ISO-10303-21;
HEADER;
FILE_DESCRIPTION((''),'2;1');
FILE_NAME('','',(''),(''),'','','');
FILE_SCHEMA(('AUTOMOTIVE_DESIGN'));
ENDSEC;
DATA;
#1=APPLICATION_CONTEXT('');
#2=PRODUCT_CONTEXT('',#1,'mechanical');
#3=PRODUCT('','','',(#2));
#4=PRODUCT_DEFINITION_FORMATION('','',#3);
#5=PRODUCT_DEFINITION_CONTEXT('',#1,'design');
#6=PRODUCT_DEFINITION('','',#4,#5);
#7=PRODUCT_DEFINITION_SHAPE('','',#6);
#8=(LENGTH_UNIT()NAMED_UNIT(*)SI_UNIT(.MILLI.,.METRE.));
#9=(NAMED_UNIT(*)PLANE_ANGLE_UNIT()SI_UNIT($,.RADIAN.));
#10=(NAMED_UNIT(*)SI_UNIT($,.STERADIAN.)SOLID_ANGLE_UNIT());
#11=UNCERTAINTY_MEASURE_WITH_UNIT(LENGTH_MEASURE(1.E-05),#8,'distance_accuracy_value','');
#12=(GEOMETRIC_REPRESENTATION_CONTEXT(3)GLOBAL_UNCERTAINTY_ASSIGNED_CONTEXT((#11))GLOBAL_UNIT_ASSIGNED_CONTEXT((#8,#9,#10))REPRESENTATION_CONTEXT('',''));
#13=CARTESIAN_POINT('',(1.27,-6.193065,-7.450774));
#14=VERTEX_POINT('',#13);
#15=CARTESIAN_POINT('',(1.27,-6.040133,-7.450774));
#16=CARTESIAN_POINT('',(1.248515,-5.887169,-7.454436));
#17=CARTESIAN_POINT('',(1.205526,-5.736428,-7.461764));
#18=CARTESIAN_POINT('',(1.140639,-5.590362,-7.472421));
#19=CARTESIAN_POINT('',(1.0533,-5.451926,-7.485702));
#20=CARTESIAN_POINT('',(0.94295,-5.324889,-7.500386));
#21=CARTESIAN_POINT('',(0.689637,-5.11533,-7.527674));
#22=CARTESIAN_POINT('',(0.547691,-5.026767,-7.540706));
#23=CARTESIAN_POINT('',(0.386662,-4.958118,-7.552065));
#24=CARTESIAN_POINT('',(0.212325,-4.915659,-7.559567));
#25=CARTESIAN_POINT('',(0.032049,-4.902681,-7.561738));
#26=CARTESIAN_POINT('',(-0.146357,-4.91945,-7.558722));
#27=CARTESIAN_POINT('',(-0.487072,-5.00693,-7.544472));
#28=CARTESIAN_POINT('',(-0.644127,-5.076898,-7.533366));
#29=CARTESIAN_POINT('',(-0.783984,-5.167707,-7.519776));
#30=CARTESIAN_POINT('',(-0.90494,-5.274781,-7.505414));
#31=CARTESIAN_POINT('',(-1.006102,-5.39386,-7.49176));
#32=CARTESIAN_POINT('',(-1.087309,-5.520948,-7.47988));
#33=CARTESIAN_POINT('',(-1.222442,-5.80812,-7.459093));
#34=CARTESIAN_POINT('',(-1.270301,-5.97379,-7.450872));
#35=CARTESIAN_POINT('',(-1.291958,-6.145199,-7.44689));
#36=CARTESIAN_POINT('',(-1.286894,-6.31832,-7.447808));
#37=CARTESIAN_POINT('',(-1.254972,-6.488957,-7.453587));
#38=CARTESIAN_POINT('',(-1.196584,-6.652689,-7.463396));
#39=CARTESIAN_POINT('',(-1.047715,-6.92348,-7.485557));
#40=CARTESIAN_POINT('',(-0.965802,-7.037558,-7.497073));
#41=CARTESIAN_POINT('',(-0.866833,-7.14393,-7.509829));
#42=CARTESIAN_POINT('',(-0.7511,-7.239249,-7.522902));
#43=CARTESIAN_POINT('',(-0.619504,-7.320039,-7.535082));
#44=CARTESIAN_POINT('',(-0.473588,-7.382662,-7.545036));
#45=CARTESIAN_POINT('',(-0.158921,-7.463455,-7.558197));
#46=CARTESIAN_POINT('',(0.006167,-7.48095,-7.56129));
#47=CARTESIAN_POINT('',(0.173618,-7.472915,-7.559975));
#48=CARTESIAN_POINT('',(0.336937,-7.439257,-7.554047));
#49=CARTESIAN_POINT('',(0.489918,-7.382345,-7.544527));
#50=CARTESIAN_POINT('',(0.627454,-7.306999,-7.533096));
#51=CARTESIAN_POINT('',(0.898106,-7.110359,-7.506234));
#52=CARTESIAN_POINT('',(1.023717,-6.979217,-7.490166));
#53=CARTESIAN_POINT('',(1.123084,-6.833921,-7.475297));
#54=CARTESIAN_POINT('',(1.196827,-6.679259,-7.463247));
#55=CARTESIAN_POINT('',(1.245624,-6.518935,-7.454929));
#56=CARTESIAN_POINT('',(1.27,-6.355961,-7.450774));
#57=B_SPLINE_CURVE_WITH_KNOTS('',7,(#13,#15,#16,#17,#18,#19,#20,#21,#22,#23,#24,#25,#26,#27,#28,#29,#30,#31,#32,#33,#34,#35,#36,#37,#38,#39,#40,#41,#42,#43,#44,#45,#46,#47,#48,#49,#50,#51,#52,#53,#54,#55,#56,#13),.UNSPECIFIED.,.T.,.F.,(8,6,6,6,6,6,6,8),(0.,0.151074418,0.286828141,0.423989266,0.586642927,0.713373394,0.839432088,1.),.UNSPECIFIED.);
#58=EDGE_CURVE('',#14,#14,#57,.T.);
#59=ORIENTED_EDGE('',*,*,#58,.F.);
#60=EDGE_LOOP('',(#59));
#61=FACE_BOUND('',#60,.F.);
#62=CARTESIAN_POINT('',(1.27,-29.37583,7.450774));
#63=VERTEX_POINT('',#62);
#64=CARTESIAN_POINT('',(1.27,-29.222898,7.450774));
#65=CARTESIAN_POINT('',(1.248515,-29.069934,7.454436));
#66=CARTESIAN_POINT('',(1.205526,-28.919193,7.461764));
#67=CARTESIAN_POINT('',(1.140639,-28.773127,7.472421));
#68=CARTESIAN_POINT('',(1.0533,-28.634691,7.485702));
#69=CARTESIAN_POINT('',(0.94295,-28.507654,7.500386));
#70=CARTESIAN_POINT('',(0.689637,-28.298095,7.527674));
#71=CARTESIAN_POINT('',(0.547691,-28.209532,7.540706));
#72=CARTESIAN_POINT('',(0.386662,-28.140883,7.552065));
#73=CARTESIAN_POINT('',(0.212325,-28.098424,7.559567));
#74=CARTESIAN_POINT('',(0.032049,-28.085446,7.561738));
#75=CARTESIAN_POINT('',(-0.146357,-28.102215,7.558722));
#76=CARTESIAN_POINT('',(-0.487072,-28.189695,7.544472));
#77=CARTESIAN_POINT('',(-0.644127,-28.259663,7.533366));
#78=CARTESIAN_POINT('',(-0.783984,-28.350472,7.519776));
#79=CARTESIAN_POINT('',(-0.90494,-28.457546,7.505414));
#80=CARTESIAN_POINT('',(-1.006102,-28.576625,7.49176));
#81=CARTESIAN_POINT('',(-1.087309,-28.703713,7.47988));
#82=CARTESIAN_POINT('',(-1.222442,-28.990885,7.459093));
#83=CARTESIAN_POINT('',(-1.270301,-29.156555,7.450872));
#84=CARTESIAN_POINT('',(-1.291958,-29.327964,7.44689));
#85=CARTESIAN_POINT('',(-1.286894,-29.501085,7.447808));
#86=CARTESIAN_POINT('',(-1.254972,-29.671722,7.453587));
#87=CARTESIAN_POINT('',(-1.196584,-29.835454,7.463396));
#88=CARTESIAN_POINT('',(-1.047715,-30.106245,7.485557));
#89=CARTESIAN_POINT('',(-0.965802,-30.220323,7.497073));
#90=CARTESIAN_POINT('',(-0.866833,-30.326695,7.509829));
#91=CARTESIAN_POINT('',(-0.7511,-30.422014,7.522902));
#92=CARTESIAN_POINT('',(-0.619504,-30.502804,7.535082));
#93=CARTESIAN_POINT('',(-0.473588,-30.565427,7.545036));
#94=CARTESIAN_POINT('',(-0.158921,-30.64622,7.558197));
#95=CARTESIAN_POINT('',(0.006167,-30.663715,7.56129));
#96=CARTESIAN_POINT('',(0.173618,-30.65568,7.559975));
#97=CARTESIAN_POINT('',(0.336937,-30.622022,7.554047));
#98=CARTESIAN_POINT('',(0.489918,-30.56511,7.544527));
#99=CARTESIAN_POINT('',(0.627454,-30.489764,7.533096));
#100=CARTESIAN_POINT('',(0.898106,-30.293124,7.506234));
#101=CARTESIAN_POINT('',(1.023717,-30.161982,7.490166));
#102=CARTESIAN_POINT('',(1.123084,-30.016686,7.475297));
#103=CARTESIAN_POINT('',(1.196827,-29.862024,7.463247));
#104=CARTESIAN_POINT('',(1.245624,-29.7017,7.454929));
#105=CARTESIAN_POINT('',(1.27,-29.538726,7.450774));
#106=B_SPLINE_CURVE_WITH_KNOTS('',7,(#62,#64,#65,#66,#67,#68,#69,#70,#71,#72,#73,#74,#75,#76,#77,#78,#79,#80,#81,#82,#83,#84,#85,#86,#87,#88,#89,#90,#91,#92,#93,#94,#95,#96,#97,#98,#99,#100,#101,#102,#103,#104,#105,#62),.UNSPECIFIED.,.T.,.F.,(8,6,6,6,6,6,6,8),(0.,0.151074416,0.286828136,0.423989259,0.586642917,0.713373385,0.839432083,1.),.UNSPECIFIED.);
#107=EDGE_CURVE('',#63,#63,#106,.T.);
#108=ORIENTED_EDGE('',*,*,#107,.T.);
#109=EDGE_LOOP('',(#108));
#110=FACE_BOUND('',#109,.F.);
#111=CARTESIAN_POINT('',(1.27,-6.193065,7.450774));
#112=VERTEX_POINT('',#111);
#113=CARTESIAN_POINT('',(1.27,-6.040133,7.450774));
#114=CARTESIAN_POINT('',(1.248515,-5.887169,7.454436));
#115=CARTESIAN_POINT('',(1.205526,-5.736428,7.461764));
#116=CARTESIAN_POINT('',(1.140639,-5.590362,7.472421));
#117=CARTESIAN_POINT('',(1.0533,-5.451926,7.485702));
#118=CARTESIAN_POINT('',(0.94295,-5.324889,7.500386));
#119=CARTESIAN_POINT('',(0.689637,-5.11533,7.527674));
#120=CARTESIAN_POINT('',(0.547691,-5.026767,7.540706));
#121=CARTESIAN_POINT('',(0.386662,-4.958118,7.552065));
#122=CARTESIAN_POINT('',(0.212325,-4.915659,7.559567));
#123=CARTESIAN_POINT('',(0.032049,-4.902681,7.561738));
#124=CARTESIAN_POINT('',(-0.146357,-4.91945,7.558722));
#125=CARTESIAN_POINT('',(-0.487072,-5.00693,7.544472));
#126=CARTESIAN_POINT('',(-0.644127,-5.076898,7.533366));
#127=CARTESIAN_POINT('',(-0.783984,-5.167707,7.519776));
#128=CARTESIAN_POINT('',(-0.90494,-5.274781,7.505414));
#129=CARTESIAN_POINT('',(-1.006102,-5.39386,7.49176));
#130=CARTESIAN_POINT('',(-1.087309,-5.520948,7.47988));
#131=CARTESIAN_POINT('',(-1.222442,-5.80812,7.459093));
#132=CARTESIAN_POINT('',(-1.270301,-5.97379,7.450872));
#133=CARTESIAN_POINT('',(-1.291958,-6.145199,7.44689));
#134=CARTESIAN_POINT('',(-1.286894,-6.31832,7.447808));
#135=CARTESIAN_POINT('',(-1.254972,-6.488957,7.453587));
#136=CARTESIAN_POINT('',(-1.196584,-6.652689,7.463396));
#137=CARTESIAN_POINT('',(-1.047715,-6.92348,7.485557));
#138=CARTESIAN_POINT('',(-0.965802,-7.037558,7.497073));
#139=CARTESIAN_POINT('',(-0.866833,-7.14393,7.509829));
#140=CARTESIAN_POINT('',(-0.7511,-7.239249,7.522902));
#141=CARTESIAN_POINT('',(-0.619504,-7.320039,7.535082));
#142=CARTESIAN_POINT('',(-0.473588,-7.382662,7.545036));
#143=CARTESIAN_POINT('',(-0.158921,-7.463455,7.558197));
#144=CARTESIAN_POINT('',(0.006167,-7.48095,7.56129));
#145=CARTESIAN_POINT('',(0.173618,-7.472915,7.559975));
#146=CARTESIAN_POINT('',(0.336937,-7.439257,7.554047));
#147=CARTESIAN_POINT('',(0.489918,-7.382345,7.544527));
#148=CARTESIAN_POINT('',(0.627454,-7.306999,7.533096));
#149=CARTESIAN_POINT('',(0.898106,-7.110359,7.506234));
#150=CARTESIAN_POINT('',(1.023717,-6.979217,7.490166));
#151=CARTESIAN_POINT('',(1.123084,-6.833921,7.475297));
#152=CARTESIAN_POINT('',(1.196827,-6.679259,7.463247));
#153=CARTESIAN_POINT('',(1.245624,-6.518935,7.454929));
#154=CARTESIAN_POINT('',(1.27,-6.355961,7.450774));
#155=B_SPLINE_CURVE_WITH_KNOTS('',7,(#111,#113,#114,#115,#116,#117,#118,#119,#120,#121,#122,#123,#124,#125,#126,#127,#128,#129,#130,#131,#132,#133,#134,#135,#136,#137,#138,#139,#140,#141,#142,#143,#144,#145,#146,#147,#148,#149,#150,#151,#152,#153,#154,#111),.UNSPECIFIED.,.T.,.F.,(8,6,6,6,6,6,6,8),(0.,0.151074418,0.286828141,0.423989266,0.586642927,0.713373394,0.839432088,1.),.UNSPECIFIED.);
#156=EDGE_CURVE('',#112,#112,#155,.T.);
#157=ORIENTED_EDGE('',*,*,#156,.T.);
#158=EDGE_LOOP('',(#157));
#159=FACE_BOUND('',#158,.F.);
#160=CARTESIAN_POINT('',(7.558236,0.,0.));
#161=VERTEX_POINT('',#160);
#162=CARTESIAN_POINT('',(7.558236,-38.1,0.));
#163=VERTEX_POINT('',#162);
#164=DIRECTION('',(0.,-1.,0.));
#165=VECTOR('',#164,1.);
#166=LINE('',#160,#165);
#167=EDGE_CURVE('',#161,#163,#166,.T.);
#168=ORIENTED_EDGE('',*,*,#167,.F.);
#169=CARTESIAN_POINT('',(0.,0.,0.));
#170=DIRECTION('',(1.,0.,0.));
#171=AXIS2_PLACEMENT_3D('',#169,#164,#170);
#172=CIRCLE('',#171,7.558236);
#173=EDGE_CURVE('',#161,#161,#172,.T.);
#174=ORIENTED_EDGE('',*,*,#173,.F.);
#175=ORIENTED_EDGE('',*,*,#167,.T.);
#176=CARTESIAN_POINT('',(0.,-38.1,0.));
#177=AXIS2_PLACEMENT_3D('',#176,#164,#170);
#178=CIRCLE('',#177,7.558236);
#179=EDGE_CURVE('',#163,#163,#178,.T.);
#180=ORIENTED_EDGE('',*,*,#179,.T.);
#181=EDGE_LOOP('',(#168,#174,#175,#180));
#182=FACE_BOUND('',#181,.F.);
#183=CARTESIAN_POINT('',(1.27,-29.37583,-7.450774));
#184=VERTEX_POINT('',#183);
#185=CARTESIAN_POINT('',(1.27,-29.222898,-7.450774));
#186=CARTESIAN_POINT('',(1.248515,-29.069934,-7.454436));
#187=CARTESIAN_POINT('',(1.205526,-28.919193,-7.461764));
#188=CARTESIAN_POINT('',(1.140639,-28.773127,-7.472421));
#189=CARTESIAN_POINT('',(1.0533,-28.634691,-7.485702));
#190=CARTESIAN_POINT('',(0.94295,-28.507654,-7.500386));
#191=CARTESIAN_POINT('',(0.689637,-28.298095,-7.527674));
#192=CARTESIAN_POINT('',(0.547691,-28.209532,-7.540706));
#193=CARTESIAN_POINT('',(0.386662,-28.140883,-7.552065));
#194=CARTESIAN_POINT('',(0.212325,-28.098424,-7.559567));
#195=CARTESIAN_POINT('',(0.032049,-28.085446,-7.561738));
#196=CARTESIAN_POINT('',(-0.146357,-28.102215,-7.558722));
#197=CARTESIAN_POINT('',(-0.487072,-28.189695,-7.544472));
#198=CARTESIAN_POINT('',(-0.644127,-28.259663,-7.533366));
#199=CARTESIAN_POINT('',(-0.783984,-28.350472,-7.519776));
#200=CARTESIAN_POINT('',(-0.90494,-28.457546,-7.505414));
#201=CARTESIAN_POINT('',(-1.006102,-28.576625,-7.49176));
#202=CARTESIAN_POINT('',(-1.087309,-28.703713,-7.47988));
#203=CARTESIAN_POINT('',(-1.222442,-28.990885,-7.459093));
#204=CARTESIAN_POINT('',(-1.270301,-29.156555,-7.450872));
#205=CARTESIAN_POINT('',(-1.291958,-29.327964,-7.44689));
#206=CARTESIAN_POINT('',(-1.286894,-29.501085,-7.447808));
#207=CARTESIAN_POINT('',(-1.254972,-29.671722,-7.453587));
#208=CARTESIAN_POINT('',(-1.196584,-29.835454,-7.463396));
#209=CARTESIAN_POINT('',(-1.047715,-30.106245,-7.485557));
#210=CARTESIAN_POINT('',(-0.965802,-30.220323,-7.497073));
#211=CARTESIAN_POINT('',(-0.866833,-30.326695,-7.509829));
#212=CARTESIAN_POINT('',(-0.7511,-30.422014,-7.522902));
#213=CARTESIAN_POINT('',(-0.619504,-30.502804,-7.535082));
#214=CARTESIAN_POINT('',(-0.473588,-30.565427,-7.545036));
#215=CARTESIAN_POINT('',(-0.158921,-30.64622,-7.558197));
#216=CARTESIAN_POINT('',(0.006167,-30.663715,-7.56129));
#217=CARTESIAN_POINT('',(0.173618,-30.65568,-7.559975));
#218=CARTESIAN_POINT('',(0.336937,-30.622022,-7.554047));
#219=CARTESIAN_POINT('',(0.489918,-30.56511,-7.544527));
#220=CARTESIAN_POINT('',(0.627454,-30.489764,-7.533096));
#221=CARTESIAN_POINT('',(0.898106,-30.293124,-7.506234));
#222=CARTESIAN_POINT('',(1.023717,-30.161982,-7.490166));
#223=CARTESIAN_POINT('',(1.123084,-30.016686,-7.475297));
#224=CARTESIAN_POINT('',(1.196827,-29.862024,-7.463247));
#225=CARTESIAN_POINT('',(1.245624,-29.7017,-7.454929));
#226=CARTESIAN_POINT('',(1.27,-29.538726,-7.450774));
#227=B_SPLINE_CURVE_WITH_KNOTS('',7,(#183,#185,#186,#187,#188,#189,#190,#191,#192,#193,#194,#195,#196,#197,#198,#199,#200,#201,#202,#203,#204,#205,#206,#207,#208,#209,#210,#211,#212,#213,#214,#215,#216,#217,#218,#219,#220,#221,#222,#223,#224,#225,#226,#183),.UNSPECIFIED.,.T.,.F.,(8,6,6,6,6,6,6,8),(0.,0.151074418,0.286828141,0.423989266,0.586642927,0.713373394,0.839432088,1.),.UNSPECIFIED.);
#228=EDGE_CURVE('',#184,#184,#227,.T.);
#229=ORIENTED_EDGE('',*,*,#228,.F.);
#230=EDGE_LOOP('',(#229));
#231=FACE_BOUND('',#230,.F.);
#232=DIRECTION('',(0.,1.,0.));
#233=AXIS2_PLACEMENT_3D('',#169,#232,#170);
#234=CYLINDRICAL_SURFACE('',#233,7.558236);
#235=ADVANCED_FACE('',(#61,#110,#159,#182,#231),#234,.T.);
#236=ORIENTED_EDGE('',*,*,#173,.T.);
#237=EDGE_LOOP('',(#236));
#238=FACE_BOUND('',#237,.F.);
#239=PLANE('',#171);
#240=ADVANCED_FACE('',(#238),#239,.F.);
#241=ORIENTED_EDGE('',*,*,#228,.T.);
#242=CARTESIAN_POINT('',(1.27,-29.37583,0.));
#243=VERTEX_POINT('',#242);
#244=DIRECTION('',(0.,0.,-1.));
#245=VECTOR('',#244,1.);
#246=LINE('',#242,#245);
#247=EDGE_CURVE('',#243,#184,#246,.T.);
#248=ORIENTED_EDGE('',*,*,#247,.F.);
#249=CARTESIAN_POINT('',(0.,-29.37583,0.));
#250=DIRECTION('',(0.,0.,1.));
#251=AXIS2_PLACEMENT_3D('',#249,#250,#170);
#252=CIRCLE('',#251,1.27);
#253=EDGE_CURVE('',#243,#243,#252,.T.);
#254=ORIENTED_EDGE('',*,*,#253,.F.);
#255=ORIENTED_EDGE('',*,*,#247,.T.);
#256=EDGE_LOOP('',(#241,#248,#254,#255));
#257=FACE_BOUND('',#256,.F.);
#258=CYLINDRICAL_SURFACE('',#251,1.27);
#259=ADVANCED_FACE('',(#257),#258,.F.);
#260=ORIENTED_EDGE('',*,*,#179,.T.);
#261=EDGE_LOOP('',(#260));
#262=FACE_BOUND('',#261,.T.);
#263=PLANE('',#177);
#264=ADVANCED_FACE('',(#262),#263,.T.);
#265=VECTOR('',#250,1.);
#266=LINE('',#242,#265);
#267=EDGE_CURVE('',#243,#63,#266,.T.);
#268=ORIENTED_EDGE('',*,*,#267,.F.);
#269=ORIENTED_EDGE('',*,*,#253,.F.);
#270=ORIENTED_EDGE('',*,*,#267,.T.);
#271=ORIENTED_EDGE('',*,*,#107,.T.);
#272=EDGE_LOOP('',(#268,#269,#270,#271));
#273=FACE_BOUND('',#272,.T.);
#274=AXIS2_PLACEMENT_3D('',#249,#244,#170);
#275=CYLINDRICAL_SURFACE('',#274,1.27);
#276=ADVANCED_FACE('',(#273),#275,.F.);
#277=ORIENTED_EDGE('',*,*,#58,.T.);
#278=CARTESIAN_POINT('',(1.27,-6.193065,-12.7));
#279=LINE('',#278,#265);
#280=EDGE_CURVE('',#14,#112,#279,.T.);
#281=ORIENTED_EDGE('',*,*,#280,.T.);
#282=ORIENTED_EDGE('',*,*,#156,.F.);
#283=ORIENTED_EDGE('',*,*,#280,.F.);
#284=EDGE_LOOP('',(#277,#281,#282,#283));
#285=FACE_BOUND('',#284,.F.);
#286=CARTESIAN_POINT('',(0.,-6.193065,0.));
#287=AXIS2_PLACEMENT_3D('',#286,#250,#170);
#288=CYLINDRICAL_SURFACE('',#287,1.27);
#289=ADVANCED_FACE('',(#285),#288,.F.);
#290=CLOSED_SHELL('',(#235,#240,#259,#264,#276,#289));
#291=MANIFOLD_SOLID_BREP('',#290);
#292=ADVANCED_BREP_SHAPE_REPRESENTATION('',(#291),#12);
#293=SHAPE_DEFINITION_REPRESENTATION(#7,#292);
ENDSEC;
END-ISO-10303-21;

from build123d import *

# Parameters (mm, degrees)
F0_R     = 7.558236
F1_DEPTH = 38.1
F2_R     = 1.27
F3_DEPTH = 12.7


with BuildPart() as f1:
    # F0 (on Front) → F1 (new body)
    with BuildSketch(Plane.XZ):
        Circle(F0_R)
    extrude(amount=F1_DEPTH)

    # F2 (on Top) → F3 (cut, symmetric)
    with BuildSketch(Plane.XY):
        with Locations((0, -29.37583)):
            Circle(F2_R)
        with Locations((0, -6.193065)):
            Circle(F2_R)
    extrude(amount=F3_DEPTH, both=True, mode=Mode.SUBTRACT)


solid = f1.part
